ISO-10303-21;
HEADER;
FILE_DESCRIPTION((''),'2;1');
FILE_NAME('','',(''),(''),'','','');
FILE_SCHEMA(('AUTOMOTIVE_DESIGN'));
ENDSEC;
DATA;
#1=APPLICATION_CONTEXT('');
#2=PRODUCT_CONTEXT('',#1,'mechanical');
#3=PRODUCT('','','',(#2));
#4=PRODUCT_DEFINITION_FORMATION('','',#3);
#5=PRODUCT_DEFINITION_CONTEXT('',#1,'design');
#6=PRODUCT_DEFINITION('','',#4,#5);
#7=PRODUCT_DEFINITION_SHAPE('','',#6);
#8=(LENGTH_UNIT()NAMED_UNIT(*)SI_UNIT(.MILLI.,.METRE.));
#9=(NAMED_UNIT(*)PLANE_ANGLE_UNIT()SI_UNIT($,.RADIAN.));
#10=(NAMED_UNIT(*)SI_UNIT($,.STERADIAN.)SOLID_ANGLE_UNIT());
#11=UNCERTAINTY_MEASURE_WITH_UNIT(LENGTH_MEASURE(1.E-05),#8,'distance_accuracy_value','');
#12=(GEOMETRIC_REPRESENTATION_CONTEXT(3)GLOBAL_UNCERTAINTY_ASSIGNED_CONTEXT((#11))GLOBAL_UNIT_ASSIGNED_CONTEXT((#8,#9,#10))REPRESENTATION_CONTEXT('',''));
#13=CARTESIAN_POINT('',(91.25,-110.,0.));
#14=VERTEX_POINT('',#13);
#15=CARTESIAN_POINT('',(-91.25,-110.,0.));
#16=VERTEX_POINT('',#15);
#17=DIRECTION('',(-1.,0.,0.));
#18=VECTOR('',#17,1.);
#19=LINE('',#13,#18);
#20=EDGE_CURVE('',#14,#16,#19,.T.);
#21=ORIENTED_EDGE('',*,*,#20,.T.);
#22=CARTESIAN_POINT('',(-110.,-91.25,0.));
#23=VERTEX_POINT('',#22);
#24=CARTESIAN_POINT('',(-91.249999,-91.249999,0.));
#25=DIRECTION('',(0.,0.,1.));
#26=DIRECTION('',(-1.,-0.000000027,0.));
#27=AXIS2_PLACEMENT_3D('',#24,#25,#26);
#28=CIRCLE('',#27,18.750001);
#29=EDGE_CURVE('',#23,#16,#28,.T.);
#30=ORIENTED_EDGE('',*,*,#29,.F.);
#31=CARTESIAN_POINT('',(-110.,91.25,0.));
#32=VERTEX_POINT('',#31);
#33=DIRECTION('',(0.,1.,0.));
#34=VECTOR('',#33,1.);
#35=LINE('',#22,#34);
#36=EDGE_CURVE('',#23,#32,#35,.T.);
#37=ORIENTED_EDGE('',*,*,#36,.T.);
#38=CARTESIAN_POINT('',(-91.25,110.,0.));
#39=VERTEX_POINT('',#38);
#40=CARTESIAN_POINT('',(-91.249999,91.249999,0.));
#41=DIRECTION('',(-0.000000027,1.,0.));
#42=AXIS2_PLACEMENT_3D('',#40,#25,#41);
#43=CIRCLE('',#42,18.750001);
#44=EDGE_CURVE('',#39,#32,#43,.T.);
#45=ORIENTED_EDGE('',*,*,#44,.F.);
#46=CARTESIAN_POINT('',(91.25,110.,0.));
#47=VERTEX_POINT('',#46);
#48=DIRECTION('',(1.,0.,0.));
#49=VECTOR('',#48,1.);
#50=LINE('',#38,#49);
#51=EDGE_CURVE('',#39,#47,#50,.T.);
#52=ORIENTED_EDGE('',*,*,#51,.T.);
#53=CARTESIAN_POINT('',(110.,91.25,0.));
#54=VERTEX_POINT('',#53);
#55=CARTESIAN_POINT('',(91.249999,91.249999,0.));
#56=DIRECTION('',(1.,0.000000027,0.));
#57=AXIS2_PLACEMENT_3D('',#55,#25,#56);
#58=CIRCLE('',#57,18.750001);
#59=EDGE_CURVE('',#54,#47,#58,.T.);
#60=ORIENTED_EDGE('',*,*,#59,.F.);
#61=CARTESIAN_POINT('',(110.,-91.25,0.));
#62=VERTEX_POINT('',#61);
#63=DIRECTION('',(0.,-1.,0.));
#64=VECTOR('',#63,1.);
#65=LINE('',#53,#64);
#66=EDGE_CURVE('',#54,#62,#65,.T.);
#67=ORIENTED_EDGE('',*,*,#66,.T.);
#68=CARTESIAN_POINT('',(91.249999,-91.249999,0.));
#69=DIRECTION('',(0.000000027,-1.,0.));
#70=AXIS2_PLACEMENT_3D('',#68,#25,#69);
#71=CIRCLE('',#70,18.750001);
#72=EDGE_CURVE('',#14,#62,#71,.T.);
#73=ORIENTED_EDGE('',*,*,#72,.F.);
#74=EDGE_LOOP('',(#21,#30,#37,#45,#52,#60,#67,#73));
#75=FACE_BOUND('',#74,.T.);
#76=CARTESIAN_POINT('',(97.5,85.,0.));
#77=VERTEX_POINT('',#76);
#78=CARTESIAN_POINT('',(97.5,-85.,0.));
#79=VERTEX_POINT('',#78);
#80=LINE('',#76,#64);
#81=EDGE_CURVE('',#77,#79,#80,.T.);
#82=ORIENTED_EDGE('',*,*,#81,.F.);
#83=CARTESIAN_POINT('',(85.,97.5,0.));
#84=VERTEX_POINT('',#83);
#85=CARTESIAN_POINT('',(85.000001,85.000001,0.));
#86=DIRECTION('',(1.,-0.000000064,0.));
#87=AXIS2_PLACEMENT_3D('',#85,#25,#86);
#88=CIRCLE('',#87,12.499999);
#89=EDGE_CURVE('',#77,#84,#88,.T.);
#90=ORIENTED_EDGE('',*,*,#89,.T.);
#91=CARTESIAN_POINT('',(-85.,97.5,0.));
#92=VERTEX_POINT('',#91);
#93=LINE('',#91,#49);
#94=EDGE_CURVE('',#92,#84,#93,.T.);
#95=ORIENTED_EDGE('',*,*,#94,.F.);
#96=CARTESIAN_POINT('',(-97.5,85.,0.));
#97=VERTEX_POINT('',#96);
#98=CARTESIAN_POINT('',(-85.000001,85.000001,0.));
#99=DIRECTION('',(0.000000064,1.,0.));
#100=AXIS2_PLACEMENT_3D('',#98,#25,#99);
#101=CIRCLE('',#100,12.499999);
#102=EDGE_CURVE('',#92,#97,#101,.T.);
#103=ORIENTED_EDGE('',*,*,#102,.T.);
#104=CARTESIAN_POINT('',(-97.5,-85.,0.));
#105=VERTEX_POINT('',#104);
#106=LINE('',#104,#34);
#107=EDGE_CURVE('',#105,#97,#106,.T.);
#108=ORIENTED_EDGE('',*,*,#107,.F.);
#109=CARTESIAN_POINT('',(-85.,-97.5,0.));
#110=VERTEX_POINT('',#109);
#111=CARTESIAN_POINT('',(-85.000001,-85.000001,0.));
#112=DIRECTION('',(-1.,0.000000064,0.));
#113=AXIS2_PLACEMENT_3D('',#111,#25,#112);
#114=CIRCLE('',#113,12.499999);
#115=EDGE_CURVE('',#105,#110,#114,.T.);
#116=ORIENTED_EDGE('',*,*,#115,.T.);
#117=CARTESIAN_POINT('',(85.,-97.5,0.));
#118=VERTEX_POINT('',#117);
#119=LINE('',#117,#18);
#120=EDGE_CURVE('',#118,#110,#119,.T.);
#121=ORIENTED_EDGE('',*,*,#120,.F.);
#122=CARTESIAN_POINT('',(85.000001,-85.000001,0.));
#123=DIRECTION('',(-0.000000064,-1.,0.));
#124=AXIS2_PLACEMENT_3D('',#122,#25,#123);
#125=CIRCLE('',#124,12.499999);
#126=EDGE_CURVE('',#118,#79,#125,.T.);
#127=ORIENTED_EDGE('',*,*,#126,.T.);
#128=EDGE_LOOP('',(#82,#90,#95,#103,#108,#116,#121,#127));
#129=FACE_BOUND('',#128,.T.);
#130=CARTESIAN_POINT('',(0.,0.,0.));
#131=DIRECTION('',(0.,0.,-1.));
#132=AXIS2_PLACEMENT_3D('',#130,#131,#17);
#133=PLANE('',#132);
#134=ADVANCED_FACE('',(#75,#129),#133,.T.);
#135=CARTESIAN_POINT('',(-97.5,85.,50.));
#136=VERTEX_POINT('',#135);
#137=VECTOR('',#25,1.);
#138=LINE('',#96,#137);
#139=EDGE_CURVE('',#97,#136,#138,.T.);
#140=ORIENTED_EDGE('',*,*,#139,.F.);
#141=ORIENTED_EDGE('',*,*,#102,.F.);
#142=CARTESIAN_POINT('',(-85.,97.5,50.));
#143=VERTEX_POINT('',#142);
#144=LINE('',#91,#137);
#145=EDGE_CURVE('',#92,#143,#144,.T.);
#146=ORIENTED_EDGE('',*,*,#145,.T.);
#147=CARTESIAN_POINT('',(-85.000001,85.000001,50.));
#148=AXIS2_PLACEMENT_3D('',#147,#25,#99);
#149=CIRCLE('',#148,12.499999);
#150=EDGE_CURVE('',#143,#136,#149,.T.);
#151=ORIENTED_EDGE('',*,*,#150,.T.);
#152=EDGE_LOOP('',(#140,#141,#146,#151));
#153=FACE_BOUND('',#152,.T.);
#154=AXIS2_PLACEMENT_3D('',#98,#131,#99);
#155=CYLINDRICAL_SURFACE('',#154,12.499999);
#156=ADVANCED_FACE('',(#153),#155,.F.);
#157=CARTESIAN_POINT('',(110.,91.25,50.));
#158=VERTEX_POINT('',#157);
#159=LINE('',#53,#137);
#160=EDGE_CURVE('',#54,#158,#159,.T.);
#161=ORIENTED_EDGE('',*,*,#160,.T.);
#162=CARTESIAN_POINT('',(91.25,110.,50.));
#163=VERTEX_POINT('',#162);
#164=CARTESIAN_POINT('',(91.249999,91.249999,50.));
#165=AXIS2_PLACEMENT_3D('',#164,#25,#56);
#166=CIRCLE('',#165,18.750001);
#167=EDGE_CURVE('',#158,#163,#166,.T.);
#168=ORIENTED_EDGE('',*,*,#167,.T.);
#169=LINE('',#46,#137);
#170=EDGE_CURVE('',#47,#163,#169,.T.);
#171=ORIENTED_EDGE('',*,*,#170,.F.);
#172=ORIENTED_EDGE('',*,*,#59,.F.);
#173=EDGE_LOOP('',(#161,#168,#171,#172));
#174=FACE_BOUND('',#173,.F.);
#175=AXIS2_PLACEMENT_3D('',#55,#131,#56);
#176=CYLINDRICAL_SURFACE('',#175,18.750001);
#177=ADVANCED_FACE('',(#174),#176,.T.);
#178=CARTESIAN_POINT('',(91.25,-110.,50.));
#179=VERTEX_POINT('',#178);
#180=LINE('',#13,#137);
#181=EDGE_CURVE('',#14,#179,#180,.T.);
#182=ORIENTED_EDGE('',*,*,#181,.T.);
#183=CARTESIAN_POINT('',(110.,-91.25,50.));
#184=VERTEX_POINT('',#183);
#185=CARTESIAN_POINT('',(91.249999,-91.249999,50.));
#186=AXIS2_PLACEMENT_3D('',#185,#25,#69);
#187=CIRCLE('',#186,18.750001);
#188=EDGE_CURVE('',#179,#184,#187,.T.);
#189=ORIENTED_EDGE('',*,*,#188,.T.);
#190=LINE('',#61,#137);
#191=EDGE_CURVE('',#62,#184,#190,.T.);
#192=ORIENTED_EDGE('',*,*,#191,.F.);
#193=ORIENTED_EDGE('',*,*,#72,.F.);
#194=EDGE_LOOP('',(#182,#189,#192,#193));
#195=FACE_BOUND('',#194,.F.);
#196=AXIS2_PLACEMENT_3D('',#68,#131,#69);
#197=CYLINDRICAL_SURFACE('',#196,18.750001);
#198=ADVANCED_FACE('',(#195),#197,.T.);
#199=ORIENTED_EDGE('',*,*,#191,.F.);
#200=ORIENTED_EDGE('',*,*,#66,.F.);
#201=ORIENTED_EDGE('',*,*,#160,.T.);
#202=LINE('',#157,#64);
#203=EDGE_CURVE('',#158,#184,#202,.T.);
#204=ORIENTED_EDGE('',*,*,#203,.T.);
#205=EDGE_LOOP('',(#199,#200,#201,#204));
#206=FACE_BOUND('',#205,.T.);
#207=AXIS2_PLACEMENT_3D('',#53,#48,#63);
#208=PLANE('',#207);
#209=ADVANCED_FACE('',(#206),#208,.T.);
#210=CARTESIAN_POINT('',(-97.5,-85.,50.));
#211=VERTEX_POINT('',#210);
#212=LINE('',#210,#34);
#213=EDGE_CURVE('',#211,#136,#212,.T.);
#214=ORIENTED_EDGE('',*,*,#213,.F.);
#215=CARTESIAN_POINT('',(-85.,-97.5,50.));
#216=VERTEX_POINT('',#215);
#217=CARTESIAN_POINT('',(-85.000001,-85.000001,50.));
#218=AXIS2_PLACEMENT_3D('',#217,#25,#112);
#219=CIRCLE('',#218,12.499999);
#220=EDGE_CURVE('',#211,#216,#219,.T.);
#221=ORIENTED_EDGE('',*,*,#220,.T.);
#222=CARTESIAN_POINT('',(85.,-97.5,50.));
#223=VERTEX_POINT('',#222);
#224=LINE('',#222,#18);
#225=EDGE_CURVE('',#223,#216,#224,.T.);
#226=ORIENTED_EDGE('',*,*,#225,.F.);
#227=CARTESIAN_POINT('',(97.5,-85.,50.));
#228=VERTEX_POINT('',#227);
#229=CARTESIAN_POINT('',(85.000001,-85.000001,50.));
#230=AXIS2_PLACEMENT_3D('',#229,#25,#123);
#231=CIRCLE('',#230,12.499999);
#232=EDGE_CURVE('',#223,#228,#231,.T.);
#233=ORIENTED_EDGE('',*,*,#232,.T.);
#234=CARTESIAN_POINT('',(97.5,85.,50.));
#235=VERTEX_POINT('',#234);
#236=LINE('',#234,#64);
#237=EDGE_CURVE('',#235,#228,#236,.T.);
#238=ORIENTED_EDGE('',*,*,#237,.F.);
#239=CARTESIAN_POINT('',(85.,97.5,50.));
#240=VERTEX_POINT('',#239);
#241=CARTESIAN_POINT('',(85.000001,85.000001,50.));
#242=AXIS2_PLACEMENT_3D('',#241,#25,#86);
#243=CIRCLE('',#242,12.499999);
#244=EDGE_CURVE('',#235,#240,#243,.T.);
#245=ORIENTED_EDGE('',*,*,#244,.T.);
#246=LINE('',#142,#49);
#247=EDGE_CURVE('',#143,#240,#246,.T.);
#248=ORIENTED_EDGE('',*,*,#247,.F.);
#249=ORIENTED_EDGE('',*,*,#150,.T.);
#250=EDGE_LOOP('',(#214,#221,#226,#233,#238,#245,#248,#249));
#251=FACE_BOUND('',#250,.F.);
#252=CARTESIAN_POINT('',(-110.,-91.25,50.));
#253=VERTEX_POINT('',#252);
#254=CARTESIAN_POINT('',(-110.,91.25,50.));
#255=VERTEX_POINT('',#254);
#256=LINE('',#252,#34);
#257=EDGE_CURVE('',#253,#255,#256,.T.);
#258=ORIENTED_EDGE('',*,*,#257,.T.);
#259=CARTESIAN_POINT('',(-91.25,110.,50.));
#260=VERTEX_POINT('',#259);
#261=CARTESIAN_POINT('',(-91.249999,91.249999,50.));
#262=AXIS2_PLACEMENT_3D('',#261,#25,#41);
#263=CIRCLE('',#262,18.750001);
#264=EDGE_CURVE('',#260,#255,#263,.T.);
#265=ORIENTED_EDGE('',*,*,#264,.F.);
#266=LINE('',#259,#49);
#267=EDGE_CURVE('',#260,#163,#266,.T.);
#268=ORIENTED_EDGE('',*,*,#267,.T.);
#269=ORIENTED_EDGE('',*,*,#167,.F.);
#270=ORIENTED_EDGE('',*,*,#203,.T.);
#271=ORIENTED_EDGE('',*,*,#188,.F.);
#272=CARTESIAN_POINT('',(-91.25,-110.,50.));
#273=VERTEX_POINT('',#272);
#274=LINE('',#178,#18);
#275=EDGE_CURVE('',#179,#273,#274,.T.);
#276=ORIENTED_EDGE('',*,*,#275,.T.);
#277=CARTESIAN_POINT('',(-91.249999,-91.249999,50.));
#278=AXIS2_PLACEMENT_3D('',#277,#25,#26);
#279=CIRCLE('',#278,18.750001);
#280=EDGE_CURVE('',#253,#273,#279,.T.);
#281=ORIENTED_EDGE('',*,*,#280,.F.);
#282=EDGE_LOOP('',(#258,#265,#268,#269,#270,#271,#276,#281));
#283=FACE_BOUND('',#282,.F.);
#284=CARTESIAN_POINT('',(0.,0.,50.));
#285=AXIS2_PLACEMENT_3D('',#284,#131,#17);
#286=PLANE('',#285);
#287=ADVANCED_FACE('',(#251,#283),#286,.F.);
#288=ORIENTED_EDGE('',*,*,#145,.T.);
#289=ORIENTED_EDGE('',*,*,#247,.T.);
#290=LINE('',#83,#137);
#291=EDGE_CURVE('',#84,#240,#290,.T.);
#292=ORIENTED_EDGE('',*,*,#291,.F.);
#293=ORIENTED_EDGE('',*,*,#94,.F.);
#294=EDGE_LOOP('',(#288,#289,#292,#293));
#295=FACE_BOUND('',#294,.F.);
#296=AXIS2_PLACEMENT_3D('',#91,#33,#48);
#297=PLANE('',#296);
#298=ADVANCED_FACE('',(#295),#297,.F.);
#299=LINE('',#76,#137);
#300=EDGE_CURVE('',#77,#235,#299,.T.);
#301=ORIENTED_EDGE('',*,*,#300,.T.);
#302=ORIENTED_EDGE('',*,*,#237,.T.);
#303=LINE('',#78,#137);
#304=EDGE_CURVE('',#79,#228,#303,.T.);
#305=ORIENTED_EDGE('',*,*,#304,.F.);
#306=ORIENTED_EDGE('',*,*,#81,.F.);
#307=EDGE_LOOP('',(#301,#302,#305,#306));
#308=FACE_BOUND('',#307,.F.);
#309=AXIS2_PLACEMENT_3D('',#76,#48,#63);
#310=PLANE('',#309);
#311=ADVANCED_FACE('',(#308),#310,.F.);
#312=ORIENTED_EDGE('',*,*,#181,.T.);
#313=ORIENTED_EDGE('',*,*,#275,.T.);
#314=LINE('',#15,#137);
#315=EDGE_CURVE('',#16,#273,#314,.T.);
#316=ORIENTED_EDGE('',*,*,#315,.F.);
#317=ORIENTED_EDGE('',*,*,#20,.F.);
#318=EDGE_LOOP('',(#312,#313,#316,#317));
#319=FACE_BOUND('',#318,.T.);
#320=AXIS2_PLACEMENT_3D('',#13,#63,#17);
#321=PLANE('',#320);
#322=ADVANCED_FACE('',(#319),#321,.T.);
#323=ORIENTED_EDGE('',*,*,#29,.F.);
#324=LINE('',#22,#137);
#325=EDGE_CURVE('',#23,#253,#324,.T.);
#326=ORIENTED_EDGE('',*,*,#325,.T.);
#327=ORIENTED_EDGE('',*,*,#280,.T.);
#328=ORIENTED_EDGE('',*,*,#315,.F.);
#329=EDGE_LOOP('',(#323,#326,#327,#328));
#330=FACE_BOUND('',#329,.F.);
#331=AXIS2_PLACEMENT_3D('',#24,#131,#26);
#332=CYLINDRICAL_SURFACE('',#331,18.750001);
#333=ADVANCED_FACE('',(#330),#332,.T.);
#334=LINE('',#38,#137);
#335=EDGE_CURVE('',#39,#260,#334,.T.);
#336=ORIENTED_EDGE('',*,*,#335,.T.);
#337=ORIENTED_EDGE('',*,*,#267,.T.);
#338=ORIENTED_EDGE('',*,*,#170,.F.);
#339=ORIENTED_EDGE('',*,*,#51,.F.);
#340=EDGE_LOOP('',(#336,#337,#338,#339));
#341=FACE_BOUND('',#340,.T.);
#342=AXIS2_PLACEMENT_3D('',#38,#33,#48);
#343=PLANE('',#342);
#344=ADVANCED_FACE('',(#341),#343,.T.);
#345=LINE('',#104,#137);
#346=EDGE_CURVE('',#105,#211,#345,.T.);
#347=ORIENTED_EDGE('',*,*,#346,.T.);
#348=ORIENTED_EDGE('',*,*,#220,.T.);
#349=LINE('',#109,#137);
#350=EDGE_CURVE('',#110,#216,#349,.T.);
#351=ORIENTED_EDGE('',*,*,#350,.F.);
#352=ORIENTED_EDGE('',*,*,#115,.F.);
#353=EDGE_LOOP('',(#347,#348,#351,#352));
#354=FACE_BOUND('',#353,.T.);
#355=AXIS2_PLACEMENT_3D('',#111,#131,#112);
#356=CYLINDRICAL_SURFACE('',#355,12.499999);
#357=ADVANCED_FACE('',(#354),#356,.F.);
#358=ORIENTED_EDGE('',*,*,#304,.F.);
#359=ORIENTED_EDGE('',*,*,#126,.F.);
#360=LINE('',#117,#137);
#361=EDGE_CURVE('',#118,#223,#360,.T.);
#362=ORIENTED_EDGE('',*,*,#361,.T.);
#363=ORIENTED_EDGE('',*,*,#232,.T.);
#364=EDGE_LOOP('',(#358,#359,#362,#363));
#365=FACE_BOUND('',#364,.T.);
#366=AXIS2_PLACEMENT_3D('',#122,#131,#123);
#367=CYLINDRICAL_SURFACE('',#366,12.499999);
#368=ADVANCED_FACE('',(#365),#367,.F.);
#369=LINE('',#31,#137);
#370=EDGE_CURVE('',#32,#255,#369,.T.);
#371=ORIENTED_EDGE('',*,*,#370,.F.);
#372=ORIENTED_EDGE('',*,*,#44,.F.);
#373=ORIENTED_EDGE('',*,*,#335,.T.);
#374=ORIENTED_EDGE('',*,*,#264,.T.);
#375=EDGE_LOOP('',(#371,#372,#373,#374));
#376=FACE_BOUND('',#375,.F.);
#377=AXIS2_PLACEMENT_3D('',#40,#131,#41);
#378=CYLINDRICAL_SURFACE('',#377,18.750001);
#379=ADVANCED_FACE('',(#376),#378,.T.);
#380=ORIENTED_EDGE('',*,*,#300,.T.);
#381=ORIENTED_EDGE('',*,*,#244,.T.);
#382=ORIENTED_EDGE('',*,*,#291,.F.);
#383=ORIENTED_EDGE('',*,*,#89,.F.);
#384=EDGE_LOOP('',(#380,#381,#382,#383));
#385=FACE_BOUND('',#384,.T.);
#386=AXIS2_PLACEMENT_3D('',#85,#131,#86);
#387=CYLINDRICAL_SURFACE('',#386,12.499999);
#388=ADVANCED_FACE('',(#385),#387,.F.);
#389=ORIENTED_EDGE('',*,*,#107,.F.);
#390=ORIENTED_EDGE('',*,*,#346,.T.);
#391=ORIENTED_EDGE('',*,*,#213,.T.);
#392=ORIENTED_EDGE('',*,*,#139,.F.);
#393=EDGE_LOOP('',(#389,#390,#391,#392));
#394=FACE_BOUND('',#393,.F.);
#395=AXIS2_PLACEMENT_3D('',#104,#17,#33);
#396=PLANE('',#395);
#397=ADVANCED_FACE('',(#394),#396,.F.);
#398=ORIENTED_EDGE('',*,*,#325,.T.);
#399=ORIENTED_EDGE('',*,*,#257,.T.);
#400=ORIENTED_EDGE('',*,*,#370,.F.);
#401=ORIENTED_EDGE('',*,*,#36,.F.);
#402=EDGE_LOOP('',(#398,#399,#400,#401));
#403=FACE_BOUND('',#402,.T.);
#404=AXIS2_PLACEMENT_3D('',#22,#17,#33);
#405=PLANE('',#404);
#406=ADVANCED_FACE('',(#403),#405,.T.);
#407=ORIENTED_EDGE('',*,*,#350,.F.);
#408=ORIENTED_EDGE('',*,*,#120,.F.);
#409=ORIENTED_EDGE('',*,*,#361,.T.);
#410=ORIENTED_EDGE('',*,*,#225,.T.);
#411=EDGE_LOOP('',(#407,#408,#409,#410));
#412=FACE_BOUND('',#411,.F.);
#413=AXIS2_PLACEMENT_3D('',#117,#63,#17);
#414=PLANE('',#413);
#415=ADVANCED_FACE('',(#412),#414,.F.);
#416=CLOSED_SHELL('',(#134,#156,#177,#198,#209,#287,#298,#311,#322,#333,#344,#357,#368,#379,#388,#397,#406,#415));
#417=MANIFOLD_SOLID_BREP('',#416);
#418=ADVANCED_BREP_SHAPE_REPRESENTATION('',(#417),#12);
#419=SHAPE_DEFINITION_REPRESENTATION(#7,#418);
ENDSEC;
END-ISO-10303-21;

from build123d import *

# Parameters (mm, degrees)
EXTRUDE_DEPTH = 50


with BuildPart() as part:
    # Sketch → Extrude (new body)
    with BuildSketch(Plane.XY):
        with BuildLine():
            Line((-91.25, 110), (91.25, 110))
            ThreePointArc((110, 91.25), (104.508252, 104.508252), (91.25, 110))
            Line((110, 91.25), (110, -91.25))
            ThreePointArc((91.25, -110), (104.508252, -104.508252), (110, -91.25))
            Line((91.25, -110), (-91.25, -110))
            ThreePointArc((-110, -91.25), (-104.508252, -104.508252), (-91.25, -110))
            Line((-110, -91.25), (-110, 91.25))
            ThreePointArc((-91.25, 110), (-104.508252, 104.508252), (-110, 91.25))
        make_face()
        with BuildLine():
            Line((-85, 97.5), (85, 97.5))
            ThreePointArc((97.5, 85), (93.838835, 93.838835), (85, 97.5))
            Line((97.5, 85), (97.5, -85))
            ThreePointArc((85, -97.5), (93.838835, -93.838835), (97.5, -85))
            Line((85, -97.5), (-85, -97.5))
            ThreePointArc((-97.5, -85), (-93.838835, -93.838835), (-85, -97.5))
            Line((-97.5, -85), (-97.5, 85))
            ThreePointArc((-85, 97.5), (-93.838835, 93.838835), (-97.5, 85))
        make_face(mode=Mode.SUBTRACT)
    extrude(amount=EXTRUDE_DEPTH)


solid = part.part
